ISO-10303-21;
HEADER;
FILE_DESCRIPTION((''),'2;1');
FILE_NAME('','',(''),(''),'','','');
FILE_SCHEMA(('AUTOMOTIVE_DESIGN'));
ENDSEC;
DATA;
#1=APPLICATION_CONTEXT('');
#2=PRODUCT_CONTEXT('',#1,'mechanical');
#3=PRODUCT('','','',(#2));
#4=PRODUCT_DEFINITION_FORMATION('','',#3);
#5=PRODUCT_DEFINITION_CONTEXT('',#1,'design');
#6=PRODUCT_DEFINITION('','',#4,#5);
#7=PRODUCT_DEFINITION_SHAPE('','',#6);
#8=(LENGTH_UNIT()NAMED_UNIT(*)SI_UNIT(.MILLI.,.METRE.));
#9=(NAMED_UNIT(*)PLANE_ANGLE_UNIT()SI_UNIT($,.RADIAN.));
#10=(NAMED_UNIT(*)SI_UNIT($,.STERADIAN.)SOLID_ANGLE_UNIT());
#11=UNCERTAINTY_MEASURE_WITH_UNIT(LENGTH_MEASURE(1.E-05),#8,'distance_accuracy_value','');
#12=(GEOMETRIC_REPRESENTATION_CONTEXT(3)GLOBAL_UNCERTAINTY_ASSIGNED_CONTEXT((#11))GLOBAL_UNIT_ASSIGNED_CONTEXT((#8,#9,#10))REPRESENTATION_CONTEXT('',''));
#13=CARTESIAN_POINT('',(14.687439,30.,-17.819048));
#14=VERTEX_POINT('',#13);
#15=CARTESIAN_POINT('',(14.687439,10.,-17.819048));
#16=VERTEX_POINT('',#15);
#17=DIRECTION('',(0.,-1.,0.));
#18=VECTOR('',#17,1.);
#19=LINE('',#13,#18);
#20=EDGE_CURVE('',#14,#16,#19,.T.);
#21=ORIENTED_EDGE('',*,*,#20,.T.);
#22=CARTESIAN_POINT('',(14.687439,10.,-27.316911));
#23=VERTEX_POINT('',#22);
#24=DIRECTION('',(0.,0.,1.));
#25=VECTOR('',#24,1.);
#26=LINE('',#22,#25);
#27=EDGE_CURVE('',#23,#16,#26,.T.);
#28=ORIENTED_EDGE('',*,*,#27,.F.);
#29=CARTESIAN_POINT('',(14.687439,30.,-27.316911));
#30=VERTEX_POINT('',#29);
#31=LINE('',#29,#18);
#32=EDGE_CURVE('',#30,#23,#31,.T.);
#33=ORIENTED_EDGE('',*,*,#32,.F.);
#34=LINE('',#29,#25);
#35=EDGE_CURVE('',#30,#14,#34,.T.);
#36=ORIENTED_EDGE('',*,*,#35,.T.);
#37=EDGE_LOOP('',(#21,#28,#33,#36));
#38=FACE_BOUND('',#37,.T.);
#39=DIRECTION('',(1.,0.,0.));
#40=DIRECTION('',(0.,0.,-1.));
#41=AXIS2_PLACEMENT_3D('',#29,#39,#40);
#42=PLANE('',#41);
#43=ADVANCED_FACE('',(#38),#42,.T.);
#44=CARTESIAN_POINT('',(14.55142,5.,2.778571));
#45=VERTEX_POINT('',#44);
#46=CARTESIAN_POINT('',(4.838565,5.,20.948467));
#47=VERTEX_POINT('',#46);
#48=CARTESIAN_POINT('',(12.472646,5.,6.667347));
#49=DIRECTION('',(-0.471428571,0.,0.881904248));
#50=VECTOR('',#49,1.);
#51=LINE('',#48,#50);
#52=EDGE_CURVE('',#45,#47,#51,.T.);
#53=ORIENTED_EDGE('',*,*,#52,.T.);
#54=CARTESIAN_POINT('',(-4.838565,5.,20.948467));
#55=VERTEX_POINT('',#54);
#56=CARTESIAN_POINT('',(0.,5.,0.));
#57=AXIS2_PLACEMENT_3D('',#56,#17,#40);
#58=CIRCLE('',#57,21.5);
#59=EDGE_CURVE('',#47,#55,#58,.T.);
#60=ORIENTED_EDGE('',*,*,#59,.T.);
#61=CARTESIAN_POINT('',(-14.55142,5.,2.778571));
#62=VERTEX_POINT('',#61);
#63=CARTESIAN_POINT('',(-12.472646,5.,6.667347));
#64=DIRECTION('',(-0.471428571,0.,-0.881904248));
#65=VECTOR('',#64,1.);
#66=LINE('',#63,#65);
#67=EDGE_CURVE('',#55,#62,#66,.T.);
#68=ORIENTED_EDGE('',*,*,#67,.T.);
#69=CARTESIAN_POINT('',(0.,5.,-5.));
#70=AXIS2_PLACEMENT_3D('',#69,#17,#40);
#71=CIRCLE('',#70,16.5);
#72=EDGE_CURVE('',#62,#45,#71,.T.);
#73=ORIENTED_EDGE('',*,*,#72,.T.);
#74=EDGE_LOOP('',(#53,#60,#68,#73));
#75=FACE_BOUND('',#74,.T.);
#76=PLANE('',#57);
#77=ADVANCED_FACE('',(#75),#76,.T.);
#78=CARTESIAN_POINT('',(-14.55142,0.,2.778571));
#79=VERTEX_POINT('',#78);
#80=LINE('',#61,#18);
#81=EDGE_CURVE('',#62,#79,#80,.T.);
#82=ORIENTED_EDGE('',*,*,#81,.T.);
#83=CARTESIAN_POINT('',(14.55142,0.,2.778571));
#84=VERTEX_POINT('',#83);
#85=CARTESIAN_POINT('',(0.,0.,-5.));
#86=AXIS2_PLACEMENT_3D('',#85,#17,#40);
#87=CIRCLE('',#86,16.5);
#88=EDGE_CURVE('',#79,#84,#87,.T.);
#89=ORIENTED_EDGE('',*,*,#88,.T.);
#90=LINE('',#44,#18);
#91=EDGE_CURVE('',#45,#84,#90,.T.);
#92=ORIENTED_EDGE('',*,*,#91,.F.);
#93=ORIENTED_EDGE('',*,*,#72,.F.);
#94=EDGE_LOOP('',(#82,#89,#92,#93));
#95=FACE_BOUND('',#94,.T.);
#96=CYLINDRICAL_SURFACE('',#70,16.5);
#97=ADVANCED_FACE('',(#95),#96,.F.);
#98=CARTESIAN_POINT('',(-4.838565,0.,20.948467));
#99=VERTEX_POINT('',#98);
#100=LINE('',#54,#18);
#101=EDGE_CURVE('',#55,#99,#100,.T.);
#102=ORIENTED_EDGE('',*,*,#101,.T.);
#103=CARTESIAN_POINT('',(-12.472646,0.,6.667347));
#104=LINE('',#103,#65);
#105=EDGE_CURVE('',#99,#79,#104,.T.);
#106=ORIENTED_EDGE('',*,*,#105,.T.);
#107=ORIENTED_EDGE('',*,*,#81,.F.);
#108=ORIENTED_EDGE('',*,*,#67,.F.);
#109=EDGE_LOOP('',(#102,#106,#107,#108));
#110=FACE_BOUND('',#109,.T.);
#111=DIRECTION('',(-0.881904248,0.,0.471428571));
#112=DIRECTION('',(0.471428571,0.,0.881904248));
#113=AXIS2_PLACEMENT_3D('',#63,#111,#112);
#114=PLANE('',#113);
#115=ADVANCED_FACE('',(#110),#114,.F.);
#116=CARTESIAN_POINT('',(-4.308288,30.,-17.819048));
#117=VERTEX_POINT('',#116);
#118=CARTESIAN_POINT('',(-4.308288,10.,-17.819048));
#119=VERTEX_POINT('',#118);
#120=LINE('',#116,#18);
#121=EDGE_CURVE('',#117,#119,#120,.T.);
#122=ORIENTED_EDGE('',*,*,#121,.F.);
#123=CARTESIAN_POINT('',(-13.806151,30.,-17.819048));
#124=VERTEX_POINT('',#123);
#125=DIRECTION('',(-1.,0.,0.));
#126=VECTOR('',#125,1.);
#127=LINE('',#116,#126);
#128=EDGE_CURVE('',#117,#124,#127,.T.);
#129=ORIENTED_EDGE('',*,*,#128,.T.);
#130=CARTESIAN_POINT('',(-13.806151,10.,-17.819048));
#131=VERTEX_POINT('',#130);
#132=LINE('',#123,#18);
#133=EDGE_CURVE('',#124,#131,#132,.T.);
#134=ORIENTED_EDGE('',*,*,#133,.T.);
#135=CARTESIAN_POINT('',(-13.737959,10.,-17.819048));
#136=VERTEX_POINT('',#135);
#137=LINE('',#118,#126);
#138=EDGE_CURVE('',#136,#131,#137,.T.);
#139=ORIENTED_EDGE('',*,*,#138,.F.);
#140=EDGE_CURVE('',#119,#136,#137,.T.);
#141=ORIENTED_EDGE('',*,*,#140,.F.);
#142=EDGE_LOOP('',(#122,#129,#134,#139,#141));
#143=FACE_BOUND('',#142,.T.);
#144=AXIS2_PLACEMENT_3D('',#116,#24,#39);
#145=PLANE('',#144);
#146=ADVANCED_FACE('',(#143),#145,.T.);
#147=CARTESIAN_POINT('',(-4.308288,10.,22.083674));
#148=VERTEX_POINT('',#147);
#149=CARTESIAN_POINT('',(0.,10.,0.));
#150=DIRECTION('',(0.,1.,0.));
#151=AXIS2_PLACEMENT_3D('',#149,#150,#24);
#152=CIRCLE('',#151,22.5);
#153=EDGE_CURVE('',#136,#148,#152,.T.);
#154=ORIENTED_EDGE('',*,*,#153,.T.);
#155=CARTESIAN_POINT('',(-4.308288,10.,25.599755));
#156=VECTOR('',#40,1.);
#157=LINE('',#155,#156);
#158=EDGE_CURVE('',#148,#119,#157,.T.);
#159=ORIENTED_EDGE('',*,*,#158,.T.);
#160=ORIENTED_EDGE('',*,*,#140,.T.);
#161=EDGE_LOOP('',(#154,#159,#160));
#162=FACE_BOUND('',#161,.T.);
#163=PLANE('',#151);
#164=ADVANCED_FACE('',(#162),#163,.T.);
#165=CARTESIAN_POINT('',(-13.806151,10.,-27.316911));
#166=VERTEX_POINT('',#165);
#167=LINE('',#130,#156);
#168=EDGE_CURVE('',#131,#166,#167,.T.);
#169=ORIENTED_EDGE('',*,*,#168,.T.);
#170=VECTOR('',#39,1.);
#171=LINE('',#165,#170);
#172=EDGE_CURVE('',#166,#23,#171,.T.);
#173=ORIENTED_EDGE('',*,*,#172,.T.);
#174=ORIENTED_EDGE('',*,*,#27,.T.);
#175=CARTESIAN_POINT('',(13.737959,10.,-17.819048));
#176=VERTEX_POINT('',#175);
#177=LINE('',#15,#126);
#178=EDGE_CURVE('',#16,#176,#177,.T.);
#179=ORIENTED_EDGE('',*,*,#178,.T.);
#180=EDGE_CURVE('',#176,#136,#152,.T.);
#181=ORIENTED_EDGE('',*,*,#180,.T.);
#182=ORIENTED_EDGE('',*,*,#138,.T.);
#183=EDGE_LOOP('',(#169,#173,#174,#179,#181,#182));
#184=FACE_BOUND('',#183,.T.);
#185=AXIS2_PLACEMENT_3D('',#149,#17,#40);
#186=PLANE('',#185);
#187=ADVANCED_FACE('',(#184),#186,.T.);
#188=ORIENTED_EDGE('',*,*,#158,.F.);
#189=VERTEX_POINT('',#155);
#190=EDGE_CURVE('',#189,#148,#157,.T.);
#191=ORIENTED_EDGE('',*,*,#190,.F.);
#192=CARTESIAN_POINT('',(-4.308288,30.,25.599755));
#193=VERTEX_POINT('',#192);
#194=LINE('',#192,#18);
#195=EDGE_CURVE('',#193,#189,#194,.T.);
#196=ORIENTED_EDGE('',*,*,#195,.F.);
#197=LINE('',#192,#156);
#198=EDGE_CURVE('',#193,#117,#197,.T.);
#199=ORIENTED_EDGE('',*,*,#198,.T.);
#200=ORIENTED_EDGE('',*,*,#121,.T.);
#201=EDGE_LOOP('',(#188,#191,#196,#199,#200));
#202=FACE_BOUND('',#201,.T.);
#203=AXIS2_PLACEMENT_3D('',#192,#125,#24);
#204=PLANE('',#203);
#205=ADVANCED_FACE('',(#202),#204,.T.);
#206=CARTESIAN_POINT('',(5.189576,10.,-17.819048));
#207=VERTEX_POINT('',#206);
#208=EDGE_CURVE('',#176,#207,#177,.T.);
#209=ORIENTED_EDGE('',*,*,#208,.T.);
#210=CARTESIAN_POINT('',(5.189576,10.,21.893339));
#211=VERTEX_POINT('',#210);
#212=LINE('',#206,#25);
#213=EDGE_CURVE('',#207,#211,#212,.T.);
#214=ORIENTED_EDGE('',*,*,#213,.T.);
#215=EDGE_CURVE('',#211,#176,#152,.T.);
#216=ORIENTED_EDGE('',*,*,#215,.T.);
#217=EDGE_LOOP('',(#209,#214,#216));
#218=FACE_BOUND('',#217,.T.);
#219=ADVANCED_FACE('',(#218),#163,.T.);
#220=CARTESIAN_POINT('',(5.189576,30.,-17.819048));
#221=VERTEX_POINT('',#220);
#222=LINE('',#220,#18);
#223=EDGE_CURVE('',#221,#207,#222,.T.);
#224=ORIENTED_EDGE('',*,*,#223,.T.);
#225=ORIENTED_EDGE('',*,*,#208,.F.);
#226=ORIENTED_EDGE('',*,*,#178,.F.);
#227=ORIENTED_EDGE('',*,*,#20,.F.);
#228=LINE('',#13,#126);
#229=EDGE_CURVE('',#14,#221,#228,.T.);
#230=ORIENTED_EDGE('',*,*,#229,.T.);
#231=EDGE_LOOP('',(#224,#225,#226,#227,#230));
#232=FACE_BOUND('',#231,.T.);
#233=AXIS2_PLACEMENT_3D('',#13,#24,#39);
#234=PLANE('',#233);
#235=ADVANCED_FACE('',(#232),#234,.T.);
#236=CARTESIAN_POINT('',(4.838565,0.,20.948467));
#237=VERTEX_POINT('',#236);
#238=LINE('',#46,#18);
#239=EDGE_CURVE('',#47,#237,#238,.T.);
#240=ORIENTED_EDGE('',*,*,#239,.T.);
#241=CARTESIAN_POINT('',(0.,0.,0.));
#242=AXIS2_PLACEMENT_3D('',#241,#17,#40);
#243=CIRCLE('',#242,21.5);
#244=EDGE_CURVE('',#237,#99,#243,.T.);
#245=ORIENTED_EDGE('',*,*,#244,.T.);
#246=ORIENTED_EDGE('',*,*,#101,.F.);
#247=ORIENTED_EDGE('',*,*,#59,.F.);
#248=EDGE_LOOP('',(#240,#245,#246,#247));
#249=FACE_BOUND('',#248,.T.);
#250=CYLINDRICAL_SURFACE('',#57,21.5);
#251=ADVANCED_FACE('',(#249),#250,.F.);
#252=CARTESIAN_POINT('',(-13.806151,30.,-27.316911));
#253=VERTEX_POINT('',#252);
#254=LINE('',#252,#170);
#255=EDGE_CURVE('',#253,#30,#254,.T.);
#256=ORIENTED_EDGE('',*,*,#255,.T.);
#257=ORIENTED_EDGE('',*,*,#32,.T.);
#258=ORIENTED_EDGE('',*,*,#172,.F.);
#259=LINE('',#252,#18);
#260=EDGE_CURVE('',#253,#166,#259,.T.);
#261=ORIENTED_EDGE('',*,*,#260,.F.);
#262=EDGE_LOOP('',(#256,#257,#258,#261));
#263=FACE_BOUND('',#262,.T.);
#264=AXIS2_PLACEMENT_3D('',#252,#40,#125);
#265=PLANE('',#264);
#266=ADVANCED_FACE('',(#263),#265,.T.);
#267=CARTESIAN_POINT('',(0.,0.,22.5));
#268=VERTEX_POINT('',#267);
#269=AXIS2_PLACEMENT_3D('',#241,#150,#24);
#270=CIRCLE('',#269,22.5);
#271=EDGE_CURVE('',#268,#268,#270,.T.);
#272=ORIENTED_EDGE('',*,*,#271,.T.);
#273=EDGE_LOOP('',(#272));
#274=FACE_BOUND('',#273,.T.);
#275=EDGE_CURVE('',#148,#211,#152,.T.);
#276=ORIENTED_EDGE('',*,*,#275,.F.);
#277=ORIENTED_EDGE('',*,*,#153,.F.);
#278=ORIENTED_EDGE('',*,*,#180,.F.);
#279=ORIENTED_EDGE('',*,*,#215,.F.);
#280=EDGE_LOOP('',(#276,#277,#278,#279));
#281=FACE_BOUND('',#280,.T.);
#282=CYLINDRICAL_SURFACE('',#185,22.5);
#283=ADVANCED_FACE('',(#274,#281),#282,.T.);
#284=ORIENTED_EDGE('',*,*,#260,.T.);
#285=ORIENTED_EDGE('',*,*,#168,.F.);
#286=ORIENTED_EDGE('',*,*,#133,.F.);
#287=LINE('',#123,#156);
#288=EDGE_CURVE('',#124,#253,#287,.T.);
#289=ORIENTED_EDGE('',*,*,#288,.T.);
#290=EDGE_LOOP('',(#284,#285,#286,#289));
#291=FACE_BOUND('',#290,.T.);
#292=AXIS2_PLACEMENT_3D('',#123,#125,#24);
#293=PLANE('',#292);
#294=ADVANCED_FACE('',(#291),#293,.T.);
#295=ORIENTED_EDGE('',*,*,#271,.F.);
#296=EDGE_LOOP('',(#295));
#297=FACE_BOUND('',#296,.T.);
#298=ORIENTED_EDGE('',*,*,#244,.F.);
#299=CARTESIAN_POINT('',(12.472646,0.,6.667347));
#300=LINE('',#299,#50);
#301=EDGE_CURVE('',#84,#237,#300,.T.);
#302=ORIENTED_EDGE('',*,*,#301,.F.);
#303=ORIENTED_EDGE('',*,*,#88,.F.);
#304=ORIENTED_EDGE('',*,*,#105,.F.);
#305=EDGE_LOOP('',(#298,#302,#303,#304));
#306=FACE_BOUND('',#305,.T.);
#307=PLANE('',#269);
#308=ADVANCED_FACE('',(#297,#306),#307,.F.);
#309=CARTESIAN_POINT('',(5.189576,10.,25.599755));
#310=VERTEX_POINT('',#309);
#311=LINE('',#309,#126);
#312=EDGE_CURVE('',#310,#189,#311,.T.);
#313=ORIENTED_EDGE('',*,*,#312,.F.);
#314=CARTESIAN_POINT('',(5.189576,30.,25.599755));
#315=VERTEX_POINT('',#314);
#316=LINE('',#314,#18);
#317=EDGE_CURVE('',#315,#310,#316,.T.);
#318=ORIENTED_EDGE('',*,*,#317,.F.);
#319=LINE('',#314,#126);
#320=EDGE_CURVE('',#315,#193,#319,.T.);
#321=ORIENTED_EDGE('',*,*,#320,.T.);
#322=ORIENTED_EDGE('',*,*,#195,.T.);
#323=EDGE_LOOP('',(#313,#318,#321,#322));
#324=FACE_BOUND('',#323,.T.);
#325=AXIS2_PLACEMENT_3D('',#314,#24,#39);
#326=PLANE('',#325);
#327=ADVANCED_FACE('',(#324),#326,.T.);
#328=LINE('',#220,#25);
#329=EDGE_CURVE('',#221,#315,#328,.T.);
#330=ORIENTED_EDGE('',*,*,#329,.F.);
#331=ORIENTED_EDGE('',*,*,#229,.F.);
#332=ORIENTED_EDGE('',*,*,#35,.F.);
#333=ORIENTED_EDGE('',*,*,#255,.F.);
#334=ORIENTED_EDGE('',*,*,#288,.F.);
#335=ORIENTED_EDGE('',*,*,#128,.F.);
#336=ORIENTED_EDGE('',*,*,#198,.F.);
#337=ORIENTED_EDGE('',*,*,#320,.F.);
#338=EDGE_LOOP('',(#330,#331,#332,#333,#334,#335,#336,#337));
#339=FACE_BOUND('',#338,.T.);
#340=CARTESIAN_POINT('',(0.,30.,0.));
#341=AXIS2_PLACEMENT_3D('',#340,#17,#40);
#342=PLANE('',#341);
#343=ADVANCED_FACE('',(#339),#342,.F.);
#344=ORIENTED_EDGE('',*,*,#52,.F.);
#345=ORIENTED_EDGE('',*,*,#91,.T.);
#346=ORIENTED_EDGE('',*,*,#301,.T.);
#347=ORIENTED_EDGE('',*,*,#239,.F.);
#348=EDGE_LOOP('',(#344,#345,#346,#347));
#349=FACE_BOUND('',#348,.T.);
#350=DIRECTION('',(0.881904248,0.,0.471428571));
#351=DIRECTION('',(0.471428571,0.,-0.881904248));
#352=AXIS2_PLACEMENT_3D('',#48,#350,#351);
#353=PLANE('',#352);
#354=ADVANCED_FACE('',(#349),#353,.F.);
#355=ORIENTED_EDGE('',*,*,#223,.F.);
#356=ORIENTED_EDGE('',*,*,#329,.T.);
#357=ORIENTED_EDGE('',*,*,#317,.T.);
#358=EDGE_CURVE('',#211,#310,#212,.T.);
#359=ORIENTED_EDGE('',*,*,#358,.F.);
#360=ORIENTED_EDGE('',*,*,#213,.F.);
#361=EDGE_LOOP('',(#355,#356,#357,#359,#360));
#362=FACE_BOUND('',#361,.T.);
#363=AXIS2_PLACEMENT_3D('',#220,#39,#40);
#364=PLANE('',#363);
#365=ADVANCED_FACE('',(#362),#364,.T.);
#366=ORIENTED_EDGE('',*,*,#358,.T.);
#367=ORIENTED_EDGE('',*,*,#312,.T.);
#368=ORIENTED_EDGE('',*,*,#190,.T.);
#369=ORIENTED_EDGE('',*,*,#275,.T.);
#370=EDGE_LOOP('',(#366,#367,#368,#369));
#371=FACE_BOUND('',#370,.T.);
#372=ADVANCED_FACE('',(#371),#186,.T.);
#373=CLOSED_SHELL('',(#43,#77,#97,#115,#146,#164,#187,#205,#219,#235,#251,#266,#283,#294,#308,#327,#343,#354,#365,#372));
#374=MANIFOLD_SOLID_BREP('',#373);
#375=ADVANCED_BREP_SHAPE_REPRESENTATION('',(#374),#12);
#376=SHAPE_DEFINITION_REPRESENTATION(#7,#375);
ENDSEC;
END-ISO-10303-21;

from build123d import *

# Parameters (mm, degrees)
SKETCH1_R           = 22.5
BOSS_EXTRUDE1_DEPTH = 10
BOSS_EXTRUDE2_DEPTH = 20
SKETCH3_R           = 16.5
CUT_EXTRUDE2_DEPTH  = 5


with BuildPart() as part:
    # Sketch1 → Boss-Extrude1 (new body)
    with BuildSketch(Plane(origin=(0, 0, 0), x_dir=(1, 0, 0), z_dir=(0, 1, 0))):
        with Locations(Location((0, 0, 0), (0, 0, 270))):
            Circle(SKETCH1_R)
    extrude(amount=BOSS_EXTRUDE1_DEPTH)

    # Sketch2 → Boss-Extrude2 (add)
    with BuildSketch(Plane(origin=(0, 10, 0), x_dir=(1, 0, 0), z_dir=(0, 1, 0))):
        Polygon((-13.806150904, 27.316911445), (14.687438839, 27.316911445), (14.687438839, 17.819048198), (5.189575591, 17.819048198), (5.189575591, -25.599755221), (-4.308287657, -25.599755221), (-4.308287657, 17.819048198), (-13.806150904, 17.819048198), align=None)
    extrude(amount=BOSS_EXTRUDE2_DEPTH)

    # Sketch3 → Cut-Extrude2 (cut)
    with BuildSketch(Plane.XZ):
        with BuildLine():
            ThreePointArc((-14.551420086, 2.778571429), (0, 11.5), (14.551420086, 2.778571429))
            Line((14.551420086, 2.778571429), (4.83856504, 20.948467447))
            ThreePointArc((4.83856504, 20.948467447), (0, 21.5), (-4.83856504, 20.948467447))
            Line((-4.83856504, 20.948467447), (-14.551420086, 2.778571429))
        make_face()
        with Locations((0, -5)):
            Circle(SKETCH3_R)
    extrude(amount=-CUT_EXTRUDE2_DEPTH, mode=Mode.SUBTRACT)


solid = part.part
